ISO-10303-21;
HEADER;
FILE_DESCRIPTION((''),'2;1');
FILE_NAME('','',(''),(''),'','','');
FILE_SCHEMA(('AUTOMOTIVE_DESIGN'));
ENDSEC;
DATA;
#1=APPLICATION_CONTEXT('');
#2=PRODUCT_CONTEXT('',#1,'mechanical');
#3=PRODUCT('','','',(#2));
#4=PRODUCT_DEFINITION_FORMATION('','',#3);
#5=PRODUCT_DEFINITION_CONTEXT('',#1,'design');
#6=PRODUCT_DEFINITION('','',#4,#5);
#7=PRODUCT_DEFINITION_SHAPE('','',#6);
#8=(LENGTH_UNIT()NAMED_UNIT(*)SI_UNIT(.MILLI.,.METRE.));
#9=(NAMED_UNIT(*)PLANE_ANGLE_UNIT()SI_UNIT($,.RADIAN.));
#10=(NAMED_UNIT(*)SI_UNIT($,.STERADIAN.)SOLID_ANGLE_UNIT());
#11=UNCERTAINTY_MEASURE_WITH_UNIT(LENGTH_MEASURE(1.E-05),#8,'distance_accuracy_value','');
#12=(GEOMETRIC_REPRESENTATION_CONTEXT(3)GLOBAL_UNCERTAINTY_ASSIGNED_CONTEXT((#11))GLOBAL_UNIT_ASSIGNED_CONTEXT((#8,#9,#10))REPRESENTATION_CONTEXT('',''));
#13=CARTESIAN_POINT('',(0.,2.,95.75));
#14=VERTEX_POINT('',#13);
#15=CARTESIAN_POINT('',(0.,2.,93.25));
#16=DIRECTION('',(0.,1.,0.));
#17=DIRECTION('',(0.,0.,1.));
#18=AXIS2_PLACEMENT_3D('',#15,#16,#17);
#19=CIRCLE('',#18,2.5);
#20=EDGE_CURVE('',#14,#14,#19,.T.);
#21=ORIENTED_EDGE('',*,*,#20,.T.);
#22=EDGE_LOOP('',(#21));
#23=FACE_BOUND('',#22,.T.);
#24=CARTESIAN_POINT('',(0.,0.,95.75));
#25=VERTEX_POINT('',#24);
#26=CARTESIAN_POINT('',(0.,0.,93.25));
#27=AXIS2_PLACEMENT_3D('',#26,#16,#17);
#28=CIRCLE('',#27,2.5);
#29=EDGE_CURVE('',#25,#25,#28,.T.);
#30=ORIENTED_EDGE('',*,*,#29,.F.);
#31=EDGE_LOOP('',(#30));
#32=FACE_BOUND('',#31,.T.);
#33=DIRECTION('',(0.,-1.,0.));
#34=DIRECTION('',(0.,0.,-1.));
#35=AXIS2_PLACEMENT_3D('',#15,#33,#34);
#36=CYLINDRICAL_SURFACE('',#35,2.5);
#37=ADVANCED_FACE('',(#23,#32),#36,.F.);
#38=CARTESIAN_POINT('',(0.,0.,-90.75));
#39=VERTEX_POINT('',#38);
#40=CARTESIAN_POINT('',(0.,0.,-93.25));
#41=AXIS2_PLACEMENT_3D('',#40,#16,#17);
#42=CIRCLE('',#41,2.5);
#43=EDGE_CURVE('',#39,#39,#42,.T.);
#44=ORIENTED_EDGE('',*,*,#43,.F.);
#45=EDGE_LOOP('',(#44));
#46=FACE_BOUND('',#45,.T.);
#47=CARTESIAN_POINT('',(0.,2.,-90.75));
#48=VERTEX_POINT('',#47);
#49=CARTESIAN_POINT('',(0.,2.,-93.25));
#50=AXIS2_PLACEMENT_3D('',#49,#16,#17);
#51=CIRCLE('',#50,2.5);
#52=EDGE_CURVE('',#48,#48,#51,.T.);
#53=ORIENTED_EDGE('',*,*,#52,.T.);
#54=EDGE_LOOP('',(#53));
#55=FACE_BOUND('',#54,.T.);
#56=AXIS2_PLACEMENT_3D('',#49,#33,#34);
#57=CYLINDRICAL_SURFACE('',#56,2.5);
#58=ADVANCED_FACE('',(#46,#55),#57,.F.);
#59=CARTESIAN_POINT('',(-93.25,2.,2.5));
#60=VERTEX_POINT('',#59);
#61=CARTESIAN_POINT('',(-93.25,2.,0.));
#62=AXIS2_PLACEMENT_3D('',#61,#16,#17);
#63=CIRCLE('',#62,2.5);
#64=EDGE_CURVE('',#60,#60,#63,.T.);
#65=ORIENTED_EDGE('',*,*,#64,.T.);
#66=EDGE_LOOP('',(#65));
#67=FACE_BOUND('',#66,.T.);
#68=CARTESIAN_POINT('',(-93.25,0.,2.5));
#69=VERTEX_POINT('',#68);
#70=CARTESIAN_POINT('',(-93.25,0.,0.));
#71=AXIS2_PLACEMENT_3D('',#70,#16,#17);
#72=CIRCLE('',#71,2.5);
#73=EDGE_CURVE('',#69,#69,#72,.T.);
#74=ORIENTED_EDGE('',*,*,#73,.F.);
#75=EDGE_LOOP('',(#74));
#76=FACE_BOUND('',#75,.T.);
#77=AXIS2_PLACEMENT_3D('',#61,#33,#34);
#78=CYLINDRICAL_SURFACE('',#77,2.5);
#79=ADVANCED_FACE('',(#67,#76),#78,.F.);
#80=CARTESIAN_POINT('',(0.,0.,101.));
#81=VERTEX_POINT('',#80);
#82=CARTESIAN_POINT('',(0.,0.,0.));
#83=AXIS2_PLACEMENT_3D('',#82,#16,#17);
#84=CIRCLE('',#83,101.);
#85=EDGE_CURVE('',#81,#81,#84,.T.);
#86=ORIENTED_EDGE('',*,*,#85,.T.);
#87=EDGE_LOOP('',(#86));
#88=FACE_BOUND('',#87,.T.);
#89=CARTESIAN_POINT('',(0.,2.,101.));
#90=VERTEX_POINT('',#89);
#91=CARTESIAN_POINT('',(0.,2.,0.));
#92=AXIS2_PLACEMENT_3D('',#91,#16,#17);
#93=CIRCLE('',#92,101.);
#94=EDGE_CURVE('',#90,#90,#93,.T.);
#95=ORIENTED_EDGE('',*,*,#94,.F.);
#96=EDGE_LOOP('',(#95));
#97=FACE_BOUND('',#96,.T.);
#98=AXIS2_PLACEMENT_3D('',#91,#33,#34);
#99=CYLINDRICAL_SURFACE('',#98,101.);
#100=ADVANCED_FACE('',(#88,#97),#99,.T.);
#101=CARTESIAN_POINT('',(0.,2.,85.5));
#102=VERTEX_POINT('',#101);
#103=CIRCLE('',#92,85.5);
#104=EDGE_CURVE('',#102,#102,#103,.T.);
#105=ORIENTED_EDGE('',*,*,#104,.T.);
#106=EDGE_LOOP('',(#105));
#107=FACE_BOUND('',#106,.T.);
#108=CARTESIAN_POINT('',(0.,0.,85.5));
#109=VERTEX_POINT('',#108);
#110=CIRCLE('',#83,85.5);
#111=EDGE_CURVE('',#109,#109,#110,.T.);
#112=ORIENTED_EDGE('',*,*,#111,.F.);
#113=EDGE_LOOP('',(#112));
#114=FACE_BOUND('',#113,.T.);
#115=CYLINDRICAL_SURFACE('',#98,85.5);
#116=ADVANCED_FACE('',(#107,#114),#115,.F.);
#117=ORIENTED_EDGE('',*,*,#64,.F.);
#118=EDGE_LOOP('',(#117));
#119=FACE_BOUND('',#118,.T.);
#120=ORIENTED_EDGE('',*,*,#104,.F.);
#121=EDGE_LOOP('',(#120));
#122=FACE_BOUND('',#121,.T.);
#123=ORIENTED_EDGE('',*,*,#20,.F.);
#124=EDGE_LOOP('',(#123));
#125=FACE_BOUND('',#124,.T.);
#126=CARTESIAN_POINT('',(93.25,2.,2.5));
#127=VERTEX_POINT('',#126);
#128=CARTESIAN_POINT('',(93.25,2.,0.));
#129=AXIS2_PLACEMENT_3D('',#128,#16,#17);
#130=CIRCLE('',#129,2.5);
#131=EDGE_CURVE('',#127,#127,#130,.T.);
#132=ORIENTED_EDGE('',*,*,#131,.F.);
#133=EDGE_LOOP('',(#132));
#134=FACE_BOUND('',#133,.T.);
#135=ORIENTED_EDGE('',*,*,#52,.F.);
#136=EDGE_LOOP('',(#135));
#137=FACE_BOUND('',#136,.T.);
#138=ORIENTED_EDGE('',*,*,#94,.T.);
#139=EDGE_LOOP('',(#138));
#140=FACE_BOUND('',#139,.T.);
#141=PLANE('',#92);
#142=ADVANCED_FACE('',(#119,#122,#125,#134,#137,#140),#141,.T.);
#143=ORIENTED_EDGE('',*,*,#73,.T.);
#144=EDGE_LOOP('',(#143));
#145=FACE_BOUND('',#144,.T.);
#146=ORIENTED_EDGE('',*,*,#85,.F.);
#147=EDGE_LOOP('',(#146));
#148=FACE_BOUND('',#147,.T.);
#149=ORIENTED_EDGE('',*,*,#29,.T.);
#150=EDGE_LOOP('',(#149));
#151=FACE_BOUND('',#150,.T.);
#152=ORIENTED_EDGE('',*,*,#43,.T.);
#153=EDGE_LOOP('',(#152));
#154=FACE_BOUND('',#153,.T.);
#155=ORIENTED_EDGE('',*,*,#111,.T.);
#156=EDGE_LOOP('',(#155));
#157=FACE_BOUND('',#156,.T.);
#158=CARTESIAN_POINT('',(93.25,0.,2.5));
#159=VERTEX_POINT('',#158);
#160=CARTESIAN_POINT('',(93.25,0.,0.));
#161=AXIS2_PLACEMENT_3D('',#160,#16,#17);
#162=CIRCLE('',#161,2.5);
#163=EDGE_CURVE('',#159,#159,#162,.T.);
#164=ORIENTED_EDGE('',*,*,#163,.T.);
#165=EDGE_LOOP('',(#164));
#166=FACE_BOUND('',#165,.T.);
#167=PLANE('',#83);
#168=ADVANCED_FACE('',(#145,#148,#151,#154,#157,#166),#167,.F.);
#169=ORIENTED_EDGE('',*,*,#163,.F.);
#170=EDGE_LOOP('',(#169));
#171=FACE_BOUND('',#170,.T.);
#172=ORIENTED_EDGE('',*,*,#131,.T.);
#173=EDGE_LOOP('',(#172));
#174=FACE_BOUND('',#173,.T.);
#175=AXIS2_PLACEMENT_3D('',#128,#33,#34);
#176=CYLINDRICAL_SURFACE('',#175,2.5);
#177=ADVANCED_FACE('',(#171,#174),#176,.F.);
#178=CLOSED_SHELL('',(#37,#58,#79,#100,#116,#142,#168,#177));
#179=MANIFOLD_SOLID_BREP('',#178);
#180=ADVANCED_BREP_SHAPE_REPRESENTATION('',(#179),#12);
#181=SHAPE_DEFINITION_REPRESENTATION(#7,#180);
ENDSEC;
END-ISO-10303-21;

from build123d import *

# Parameters (mm, degrees)
SKETCH_1_R      = 101
SKETCH_1_R_2    = 85.5
SKETCH_1_R_3    = 2.5
EXTRUDE_2_DEPTH = 2


with BuildPart() as part:
    # 草图1 → 凸台-拉伸2 (new body)
    with BuildSketch(Plane(origin=(0, 0, 0), x_dir=(1, 0, 0), z_dir=(0, 1, 0))):
        with Locations(Location((0, 0, 0), (0, 0, 270))):
            Circle(SKETCH_1_R)
        with Locations(Location((0, 0, 0), (0, 0, 270))):
            Circle(SKETCH_1_R_2, mode=Mode.SUBTRACT)
        with Locations(Location((0, 93.25, 0), (0, 0, 270))):
            Circle(SKETCH_1_R_3, mode=Mode.SUBTRACT)
        with Locations(Location((93.25, 0, 0), (0, 0, 270))):
            Circle(SKETCH_1_R_3, mode=Mode.SUBTRACT)
        with Locations(Location((0, -93.25, 0), (0, 0, 270))):
            Circle(SKETCH_1_R_3, mode=Mode.SUBTRACT)
        with Locations(Location((-93.25, 0, 0), (0, 0, 270))):
            Circle(SKETCH_1_R_3, mode=Mode.SUBTRACT)
    extrude(amount=EXTRUDE_2_DEPTH)


solid = part.part
